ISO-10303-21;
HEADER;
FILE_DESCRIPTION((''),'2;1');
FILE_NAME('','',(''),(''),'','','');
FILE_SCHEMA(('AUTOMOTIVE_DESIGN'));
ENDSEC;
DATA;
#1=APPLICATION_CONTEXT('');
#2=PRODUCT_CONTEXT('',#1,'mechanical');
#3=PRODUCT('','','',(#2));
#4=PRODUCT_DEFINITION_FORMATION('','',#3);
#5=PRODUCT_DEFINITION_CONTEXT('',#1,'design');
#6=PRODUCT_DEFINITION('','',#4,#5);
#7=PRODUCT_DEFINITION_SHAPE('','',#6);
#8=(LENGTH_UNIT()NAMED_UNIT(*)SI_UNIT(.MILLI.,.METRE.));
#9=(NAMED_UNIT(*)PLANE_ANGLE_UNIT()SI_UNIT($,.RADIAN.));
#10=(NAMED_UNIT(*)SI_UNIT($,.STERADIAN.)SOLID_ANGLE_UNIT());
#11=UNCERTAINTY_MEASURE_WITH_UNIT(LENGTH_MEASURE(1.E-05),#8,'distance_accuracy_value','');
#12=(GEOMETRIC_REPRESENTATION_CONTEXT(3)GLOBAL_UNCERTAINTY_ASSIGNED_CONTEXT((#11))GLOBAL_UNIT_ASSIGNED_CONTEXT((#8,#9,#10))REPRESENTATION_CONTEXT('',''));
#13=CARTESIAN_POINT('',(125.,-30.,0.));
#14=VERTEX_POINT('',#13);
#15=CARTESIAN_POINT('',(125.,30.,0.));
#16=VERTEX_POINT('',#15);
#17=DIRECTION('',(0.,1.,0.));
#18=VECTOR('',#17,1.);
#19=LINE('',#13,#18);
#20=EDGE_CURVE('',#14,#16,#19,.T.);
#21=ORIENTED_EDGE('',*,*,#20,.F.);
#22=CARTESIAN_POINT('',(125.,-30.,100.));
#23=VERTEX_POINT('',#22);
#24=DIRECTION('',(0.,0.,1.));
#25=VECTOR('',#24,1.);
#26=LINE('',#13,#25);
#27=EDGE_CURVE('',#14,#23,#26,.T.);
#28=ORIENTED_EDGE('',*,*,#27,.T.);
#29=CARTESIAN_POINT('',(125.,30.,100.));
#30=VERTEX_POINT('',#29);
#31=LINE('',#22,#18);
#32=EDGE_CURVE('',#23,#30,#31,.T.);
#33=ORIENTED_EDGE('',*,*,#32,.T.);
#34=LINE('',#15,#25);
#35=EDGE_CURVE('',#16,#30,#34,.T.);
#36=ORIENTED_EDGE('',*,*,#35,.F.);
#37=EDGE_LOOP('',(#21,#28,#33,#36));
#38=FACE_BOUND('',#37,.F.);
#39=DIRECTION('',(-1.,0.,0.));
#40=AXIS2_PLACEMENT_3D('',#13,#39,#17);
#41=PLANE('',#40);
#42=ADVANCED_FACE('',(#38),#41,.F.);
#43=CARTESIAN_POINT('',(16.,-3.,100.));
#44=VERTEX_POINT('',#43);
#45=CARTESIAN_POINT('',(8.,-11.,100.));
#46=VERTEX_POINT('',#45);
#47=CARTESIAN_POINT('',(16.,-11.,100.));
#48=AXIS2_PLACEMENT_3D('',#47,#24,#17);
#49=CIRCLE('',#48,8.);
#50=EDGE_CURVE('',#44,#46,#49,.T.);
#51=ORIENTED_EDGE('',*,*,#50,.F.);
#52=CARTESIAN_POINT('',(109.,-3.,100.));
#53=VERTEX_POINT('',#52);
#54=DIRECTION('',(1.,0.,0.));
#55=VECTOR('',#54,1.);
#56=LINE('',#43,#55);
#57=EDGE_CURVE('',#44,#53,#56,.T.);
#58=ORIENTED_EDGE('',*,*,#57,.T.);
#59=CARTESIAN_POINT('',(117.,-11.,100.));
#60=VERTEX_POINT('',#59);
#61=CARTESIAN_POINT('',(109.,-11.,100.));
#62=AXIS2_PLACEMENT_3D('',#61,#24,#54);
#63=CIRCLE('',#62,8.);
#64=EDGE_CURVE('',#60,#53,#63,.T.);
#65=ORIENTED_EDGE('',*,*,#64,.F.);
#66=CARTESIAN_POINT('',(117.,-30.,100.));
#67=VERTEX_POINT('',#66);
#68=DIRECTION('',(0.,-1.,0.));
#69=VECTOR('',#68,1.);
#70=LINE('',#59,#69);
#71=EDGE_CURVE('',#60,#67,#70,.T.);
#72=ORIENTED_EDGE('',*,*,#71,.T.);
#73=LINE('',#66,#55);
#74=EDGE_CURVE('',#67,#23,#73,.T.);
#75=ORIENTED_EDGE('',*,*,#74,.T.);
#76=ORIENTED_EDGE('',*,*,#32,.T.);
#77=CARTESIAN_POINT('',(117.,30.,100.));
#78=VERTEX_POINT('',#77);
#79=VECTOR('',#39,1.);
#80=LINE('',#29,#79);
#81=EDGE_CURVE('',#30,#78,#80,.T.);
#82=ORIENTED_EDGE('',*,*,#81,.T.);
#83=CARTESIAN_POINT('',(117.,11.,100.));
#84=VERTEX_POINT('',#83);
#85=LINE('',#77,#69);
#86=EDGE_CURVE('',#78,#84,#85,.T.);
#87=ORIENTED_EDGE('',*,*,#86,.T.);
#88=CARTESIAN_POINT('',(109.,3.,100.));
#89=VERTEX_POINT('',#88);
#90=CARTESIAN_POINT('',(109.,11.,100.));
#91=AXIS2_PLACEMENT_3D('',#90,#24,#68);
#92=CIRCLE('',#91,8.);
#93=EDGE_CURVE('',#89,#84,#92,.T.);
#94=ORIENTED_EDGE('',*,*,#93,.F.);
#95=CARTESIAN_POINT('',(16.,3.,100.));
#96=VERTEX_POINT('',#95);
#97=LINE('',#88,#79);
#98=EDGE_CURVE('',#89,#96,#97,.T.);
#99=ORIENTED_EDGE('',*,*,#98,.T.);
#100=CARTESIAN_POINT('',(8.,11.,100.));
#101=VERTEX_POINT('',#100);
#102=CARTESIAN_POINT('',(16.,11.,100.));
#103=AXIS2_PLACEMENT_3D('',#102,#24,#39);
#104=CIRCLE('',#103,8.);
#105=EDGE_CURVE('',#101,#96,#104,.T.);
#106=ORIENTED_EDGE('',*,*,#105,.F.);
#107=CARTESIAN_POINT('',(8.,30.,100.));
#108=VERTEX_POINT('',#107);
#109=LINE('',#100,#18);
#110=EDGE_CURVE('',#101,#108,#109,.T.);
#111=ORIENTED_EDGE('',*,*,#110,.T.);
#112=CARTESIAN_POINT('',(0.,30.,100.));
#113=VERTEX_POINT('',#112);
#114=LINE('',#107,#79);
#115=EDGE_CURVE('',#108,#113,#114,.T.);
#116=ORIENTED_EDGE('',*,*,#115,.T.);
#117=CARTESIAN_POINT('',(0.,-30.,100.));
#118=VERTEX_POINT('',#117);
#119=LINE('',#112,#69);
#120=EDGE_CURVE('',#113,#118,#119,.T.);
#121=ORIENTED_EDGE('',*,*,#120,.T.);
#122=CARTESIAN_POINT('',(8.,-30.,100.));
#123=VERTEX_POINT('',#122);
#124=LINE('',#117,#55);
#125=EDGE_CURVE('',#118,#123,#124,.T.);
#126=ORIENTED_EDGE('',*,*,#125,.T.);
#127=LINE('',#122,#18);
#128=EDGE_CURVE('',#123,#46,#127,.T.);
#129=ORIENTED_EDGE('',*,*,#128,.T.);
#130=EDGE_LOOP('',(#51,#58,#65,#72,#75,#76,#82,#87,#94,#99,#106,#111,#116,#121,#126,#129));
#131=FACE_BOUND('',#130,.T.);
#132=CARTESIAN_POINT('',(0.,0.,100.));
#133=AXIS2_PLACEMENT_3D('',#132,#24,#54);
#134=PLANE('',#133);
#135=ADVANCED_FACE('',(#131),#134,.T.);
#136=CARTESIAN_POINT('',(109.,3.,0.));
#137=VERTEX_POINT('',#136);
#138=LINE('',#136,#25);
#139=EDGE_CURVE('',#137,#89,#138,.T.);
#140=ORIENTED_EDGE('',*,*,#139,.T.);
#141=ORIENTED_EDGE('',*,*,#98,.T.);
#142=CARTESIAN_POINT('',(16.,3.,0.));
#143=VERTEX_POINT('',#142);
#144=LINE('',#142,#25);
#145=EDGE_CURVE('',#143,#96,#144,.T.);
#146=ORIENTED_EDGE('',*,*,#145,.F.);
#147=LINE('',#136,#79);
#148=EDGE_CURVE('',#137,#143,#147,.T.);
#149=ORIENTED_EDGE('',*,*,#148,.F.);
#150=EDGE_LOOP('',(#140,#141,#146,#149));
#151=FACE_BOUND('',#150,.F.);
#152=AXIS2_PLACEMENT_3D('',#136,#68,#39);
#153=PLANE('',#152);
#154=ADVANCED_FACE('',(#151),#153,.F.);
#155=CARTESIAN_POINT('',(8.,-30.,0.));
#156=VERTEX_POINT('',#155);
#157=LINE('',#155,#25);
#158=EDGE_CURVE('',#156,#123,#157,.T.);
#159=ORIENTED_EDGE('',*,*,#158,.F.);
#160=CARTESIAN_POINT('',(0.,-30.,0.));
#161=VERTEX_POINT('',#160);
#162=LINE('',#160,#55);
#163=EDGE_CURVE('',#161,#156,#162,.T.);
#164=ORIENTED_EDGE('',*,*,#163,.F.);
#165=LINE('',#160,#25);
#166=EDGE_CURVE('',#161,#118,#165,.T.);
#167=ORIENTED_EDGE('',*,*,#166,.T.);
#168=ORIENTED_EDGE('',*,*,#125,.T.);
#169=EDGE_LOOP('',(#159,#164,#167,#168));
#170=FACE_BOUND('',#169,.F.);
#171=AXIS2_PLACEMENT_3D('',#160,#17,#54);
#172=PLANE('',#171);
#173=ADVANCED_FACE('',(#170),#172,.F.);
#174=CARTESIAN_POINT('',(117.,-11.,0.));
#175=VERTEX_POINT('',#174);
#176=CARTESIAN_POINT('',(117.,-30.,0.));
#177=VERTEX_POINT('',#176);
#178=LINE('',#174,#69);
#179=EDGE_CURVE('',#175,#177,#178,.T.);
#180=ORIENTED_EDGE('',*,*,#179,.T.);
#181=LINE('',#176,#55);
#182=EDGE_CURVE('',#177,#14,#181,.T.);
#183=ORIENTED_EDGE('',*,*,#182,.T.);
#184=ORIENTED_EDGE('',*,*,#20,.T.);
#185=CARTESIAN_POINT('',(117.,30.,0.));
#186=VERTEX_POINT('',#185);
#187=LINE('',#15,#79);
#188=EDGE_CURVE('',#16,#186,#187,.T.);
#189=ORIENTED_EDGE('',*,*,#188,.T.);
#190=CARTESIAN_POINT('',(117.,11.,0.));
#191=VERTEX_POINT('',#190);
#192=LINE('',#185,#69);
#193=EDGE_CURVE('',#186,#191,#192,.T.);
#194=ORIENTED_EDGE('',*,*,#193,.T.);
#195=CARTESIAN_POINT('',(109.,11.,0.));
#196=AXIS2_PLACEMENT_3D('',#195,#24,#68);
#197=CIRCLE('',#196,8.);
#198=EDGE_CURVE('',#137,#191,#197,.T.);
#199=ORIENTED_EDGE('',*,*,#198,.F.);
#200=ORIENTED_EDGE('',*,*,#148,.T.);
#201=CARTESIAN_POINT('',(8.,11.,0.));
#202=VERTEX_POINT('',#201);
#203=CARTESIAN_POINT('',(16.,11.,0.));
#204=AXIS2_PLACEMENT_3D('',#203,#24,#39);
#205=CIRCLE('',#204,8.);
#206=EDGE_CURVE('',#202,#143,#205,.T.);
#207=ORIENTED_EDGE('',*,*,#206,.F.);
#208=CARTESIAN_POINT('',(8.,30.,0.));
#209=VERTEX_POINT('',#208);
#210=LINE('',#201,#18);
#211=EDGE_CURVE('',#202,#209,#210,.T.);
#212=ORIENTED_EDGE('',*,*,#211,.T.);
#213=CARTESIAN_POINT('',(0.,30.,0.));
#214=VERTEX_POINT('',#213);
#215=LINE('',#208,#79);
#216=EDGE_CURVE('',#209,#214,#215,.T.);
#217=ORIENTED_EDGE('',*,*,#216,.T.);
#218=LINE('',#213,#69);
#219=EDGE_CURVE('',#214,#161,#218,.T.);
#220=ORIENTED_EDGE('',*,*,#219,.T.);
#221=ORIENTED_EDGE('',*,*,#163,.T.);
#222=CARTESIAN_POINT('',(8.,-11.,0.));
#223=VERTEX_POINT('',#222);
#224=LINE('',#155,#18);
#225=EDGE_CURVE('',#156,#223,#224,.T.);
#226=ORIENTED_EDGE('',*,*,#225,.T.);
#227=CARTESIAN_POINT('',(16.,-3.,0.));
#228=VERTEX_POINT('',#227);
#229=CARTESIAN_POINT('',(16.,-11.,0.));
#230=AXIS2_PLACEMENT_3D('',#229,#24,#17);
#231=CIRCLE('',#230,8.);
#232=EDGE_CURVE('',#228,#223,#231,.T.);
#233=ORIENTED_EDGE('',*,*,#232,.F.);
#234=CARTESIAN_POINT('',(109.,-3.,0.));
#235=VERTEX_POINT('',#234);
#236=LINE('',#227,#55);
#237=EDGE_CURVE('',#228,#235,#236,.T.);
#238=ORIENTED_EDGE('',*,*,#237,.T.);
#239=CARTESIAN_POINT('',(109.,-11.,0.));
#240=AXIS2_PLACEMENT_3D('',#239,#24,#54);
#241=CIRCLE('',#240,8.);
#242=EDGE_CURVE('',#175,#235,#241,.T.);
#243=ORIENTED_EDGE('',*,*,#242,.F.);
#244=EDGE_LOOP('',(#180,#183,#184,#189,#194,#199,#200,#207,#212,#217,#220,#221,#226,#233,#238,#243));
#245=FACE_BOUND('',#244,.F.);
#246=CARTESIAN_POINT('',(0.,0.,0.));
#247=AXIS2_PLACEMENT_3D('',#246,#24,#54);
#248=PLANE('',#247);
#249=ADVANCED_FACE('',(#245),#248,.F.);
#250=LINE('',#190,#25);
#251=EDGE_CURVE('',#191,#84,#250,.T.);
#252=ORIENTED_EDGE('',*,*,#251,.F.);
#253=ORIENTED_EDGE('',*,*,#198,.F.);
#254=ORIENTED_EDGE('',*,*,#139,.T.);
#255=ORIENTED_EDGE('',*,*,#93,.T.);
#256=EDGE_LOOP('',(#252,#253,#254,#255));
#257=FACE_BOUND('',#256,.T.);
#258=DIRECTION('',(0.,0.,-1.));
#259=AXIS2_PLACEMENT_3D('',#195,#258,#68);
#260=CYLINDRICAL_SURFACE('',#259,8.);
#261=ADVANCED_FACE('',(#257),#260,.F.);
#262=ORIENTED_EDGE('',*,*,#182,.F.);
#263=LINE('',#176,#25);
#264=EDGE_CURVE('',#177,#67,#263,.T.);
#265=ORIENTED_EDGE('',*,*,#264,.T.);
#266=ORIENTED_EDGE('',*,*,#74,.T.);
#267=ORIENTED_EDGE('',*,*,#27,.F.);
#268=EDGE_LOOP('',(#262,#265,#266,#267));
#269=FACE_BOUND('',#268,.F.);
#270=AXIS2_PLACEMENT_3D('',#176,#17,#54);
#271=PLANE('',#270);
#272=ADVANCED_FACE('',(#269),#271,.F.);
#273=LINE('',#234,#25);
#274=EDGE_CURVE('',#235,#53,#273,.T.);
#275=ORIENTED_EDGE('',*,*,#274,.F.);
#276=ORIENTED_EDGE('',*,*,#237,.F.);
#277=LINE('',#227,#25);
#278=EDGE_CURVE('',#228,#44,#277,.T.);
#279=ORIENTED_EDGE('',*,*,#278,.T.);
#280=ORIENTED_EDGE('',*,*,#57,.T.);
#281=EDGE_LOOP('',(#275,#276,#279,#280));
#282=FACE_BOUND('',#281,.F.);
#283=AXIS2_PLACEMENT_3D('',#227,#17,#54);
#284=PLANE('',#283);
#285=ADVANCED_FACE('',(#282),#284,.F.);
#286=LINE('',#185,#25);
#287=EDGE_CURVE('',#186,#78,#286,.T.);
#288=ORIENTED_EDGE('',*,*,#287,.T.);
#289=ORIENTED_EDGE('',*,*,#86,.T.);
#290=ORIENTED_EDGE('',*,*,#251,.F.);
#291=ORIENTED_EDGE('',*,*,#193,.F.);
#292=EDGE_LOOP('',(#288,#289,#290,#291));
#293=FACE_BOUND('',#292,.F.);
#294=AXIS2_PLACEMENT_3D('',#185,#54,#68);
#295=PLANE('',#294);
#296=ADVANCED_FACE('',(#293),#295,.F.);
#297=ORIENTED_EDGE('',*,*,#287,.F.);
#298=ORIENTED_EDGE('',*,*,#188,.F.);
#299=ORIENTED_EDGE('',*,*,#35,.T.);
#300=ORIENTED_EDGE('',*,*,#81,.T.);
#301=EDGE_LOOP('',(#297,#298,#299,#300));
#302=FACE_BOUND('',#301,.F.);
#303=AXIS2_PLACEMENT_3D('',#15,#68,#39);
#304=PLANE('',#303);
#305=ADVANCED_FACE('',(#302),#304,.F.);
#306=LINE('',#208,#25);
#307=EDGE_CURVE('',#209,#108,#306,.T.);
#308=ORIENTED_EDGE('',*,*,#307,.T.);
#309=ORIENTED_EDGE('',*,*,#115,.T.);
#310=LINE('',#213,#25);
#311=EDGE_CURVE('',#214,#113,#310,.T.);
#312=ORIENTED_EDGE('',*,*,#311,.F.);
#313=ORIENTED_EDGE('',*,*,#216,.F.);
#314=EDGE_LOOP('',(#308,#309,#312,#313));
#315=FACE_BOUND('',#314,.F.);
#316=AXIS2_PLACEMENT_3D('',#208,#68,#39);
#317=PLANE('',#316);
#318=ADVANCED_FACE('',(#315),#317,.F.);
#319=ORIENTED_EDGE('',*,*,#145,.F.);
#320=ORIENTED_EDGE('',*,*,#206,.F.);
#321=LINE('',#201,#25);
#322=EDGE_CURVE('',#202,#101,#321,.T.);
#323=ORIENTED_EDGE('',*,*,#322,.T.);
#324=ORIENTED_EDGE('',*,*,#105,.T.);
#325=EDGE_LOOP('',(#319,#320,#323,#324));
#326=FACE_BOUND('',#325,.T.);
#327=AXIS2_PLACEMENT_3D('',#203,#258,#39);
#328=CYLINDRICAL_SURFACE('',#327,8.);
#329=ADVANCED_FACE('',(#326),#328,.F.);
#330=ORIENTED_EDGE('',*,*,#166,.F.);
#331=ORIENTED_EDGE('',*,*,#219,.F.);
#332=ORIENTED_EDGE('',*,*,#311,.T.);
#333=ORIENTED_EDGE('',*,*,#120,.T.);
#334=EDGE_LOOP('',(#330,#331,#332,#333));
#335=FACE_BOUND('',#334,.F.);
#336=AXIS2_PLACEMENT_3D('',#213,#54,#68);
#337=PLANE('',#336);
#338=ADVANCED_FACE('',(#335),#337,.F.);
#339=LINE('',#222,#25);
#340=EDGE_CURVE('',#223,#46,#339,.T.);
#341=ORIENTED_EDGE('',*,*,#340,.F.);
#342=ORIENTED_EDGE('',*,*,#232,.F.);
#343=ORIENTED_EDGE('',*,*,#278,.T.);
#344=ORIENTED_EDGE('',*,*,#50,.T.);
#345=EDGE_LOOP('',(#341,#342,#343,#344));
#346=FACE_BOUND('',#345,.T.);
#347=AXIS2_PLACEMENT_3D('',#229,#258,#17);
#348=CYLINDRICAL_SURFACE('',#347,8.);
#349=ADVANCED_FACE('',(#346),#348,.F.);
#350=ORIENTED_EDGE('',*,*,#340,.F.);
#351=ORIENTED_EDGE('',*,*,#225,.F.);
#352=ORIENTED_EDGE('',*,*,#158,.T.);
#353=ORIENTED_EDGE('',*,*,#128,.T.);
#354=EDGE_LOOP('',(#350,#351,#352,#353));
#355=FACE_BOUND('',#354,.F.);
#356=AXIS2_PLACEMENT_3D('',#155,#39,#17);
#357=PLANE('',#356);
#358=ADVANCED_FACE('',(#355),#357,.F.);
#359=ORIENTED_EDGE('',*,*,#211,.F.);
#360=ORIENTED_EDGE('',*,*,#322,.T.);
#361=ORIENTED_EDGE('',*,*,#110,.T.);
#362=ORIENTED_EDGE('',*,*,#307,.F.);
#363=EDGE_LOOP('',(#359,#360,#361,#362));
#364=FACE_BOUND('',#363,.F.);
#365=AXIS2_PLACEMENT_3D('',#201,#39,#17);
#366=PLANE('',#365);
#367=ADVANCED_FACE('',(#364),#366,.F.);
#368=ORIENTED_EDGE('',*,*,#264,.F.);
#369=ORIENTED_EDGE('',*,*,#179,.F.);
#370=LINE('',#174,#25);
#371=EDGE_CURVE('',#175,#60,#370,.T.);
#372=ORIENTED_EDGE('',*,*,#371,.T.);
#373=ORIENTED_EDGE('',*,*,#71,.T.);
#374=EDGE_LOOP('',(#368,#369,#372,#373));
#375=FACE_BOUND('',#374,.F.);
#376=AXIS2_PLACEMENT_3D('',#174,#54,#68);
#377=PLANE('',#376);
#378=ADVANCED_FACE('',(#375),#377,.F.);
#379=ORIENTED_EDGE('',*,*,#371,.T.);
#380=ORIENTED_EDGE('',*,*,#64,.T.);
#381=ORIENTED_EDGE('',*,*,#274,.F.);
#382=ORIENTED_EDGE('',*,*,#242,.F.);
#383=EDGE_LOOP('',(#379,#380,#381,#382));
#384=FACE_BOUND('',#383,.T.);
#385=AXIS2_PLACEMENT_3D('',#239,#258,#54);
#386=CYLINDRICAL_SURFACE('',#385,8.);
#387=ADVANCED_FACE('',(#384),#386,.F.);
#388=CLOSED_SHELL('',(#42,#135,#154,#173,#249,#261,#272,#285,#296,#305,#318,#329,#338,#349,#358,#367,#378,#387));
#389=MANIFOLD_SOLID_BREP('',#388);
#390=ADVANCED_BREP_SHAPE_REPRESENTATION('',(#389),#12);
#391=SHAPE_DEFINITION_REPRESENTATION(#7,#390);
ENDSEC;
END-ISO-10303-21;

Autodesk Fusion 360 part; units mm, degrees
sketch "スケッチ1" plane through (0, 0, 0) normal (0, 0, 1) x (1, 0, 0)
  line L0 (0, 30) -> (0, -30)
  line L1 (8, 11) -> (8, 30)
  line L2 (117, 30) -> (117, 11)
  line L3 (125, -30) -> (125, 30)
  line L4 (109, 3) -> (16, 3)
  line L5 (16, -3) -> (109, -3)
  line L6 (0, -30) -> (8, -30)
  line L7 (8, -30) -> (8, -11)
  line L8 (117, -30) -> (125, -30)
  line L9 (117, -11) -> (117, -30)
  line L10 (8, 30) -> (0, 30)
  line L11 (125, 30) -> (117, 30)
  arc A0 (8, 11) -> (16, 3) centre (16, 11) ccw
  arc A1 (16, -3) -> (8, -11) centre (16, -11) ccw
  arc A2 (117, -11) -> (109, -3) centre (109, -11) ccw
  arc A3 (109, 3) -> (117, 11) centre (109, 11) ccw
extrude "押し出し1" add sketch "スケッチ1" along normal blind 100
